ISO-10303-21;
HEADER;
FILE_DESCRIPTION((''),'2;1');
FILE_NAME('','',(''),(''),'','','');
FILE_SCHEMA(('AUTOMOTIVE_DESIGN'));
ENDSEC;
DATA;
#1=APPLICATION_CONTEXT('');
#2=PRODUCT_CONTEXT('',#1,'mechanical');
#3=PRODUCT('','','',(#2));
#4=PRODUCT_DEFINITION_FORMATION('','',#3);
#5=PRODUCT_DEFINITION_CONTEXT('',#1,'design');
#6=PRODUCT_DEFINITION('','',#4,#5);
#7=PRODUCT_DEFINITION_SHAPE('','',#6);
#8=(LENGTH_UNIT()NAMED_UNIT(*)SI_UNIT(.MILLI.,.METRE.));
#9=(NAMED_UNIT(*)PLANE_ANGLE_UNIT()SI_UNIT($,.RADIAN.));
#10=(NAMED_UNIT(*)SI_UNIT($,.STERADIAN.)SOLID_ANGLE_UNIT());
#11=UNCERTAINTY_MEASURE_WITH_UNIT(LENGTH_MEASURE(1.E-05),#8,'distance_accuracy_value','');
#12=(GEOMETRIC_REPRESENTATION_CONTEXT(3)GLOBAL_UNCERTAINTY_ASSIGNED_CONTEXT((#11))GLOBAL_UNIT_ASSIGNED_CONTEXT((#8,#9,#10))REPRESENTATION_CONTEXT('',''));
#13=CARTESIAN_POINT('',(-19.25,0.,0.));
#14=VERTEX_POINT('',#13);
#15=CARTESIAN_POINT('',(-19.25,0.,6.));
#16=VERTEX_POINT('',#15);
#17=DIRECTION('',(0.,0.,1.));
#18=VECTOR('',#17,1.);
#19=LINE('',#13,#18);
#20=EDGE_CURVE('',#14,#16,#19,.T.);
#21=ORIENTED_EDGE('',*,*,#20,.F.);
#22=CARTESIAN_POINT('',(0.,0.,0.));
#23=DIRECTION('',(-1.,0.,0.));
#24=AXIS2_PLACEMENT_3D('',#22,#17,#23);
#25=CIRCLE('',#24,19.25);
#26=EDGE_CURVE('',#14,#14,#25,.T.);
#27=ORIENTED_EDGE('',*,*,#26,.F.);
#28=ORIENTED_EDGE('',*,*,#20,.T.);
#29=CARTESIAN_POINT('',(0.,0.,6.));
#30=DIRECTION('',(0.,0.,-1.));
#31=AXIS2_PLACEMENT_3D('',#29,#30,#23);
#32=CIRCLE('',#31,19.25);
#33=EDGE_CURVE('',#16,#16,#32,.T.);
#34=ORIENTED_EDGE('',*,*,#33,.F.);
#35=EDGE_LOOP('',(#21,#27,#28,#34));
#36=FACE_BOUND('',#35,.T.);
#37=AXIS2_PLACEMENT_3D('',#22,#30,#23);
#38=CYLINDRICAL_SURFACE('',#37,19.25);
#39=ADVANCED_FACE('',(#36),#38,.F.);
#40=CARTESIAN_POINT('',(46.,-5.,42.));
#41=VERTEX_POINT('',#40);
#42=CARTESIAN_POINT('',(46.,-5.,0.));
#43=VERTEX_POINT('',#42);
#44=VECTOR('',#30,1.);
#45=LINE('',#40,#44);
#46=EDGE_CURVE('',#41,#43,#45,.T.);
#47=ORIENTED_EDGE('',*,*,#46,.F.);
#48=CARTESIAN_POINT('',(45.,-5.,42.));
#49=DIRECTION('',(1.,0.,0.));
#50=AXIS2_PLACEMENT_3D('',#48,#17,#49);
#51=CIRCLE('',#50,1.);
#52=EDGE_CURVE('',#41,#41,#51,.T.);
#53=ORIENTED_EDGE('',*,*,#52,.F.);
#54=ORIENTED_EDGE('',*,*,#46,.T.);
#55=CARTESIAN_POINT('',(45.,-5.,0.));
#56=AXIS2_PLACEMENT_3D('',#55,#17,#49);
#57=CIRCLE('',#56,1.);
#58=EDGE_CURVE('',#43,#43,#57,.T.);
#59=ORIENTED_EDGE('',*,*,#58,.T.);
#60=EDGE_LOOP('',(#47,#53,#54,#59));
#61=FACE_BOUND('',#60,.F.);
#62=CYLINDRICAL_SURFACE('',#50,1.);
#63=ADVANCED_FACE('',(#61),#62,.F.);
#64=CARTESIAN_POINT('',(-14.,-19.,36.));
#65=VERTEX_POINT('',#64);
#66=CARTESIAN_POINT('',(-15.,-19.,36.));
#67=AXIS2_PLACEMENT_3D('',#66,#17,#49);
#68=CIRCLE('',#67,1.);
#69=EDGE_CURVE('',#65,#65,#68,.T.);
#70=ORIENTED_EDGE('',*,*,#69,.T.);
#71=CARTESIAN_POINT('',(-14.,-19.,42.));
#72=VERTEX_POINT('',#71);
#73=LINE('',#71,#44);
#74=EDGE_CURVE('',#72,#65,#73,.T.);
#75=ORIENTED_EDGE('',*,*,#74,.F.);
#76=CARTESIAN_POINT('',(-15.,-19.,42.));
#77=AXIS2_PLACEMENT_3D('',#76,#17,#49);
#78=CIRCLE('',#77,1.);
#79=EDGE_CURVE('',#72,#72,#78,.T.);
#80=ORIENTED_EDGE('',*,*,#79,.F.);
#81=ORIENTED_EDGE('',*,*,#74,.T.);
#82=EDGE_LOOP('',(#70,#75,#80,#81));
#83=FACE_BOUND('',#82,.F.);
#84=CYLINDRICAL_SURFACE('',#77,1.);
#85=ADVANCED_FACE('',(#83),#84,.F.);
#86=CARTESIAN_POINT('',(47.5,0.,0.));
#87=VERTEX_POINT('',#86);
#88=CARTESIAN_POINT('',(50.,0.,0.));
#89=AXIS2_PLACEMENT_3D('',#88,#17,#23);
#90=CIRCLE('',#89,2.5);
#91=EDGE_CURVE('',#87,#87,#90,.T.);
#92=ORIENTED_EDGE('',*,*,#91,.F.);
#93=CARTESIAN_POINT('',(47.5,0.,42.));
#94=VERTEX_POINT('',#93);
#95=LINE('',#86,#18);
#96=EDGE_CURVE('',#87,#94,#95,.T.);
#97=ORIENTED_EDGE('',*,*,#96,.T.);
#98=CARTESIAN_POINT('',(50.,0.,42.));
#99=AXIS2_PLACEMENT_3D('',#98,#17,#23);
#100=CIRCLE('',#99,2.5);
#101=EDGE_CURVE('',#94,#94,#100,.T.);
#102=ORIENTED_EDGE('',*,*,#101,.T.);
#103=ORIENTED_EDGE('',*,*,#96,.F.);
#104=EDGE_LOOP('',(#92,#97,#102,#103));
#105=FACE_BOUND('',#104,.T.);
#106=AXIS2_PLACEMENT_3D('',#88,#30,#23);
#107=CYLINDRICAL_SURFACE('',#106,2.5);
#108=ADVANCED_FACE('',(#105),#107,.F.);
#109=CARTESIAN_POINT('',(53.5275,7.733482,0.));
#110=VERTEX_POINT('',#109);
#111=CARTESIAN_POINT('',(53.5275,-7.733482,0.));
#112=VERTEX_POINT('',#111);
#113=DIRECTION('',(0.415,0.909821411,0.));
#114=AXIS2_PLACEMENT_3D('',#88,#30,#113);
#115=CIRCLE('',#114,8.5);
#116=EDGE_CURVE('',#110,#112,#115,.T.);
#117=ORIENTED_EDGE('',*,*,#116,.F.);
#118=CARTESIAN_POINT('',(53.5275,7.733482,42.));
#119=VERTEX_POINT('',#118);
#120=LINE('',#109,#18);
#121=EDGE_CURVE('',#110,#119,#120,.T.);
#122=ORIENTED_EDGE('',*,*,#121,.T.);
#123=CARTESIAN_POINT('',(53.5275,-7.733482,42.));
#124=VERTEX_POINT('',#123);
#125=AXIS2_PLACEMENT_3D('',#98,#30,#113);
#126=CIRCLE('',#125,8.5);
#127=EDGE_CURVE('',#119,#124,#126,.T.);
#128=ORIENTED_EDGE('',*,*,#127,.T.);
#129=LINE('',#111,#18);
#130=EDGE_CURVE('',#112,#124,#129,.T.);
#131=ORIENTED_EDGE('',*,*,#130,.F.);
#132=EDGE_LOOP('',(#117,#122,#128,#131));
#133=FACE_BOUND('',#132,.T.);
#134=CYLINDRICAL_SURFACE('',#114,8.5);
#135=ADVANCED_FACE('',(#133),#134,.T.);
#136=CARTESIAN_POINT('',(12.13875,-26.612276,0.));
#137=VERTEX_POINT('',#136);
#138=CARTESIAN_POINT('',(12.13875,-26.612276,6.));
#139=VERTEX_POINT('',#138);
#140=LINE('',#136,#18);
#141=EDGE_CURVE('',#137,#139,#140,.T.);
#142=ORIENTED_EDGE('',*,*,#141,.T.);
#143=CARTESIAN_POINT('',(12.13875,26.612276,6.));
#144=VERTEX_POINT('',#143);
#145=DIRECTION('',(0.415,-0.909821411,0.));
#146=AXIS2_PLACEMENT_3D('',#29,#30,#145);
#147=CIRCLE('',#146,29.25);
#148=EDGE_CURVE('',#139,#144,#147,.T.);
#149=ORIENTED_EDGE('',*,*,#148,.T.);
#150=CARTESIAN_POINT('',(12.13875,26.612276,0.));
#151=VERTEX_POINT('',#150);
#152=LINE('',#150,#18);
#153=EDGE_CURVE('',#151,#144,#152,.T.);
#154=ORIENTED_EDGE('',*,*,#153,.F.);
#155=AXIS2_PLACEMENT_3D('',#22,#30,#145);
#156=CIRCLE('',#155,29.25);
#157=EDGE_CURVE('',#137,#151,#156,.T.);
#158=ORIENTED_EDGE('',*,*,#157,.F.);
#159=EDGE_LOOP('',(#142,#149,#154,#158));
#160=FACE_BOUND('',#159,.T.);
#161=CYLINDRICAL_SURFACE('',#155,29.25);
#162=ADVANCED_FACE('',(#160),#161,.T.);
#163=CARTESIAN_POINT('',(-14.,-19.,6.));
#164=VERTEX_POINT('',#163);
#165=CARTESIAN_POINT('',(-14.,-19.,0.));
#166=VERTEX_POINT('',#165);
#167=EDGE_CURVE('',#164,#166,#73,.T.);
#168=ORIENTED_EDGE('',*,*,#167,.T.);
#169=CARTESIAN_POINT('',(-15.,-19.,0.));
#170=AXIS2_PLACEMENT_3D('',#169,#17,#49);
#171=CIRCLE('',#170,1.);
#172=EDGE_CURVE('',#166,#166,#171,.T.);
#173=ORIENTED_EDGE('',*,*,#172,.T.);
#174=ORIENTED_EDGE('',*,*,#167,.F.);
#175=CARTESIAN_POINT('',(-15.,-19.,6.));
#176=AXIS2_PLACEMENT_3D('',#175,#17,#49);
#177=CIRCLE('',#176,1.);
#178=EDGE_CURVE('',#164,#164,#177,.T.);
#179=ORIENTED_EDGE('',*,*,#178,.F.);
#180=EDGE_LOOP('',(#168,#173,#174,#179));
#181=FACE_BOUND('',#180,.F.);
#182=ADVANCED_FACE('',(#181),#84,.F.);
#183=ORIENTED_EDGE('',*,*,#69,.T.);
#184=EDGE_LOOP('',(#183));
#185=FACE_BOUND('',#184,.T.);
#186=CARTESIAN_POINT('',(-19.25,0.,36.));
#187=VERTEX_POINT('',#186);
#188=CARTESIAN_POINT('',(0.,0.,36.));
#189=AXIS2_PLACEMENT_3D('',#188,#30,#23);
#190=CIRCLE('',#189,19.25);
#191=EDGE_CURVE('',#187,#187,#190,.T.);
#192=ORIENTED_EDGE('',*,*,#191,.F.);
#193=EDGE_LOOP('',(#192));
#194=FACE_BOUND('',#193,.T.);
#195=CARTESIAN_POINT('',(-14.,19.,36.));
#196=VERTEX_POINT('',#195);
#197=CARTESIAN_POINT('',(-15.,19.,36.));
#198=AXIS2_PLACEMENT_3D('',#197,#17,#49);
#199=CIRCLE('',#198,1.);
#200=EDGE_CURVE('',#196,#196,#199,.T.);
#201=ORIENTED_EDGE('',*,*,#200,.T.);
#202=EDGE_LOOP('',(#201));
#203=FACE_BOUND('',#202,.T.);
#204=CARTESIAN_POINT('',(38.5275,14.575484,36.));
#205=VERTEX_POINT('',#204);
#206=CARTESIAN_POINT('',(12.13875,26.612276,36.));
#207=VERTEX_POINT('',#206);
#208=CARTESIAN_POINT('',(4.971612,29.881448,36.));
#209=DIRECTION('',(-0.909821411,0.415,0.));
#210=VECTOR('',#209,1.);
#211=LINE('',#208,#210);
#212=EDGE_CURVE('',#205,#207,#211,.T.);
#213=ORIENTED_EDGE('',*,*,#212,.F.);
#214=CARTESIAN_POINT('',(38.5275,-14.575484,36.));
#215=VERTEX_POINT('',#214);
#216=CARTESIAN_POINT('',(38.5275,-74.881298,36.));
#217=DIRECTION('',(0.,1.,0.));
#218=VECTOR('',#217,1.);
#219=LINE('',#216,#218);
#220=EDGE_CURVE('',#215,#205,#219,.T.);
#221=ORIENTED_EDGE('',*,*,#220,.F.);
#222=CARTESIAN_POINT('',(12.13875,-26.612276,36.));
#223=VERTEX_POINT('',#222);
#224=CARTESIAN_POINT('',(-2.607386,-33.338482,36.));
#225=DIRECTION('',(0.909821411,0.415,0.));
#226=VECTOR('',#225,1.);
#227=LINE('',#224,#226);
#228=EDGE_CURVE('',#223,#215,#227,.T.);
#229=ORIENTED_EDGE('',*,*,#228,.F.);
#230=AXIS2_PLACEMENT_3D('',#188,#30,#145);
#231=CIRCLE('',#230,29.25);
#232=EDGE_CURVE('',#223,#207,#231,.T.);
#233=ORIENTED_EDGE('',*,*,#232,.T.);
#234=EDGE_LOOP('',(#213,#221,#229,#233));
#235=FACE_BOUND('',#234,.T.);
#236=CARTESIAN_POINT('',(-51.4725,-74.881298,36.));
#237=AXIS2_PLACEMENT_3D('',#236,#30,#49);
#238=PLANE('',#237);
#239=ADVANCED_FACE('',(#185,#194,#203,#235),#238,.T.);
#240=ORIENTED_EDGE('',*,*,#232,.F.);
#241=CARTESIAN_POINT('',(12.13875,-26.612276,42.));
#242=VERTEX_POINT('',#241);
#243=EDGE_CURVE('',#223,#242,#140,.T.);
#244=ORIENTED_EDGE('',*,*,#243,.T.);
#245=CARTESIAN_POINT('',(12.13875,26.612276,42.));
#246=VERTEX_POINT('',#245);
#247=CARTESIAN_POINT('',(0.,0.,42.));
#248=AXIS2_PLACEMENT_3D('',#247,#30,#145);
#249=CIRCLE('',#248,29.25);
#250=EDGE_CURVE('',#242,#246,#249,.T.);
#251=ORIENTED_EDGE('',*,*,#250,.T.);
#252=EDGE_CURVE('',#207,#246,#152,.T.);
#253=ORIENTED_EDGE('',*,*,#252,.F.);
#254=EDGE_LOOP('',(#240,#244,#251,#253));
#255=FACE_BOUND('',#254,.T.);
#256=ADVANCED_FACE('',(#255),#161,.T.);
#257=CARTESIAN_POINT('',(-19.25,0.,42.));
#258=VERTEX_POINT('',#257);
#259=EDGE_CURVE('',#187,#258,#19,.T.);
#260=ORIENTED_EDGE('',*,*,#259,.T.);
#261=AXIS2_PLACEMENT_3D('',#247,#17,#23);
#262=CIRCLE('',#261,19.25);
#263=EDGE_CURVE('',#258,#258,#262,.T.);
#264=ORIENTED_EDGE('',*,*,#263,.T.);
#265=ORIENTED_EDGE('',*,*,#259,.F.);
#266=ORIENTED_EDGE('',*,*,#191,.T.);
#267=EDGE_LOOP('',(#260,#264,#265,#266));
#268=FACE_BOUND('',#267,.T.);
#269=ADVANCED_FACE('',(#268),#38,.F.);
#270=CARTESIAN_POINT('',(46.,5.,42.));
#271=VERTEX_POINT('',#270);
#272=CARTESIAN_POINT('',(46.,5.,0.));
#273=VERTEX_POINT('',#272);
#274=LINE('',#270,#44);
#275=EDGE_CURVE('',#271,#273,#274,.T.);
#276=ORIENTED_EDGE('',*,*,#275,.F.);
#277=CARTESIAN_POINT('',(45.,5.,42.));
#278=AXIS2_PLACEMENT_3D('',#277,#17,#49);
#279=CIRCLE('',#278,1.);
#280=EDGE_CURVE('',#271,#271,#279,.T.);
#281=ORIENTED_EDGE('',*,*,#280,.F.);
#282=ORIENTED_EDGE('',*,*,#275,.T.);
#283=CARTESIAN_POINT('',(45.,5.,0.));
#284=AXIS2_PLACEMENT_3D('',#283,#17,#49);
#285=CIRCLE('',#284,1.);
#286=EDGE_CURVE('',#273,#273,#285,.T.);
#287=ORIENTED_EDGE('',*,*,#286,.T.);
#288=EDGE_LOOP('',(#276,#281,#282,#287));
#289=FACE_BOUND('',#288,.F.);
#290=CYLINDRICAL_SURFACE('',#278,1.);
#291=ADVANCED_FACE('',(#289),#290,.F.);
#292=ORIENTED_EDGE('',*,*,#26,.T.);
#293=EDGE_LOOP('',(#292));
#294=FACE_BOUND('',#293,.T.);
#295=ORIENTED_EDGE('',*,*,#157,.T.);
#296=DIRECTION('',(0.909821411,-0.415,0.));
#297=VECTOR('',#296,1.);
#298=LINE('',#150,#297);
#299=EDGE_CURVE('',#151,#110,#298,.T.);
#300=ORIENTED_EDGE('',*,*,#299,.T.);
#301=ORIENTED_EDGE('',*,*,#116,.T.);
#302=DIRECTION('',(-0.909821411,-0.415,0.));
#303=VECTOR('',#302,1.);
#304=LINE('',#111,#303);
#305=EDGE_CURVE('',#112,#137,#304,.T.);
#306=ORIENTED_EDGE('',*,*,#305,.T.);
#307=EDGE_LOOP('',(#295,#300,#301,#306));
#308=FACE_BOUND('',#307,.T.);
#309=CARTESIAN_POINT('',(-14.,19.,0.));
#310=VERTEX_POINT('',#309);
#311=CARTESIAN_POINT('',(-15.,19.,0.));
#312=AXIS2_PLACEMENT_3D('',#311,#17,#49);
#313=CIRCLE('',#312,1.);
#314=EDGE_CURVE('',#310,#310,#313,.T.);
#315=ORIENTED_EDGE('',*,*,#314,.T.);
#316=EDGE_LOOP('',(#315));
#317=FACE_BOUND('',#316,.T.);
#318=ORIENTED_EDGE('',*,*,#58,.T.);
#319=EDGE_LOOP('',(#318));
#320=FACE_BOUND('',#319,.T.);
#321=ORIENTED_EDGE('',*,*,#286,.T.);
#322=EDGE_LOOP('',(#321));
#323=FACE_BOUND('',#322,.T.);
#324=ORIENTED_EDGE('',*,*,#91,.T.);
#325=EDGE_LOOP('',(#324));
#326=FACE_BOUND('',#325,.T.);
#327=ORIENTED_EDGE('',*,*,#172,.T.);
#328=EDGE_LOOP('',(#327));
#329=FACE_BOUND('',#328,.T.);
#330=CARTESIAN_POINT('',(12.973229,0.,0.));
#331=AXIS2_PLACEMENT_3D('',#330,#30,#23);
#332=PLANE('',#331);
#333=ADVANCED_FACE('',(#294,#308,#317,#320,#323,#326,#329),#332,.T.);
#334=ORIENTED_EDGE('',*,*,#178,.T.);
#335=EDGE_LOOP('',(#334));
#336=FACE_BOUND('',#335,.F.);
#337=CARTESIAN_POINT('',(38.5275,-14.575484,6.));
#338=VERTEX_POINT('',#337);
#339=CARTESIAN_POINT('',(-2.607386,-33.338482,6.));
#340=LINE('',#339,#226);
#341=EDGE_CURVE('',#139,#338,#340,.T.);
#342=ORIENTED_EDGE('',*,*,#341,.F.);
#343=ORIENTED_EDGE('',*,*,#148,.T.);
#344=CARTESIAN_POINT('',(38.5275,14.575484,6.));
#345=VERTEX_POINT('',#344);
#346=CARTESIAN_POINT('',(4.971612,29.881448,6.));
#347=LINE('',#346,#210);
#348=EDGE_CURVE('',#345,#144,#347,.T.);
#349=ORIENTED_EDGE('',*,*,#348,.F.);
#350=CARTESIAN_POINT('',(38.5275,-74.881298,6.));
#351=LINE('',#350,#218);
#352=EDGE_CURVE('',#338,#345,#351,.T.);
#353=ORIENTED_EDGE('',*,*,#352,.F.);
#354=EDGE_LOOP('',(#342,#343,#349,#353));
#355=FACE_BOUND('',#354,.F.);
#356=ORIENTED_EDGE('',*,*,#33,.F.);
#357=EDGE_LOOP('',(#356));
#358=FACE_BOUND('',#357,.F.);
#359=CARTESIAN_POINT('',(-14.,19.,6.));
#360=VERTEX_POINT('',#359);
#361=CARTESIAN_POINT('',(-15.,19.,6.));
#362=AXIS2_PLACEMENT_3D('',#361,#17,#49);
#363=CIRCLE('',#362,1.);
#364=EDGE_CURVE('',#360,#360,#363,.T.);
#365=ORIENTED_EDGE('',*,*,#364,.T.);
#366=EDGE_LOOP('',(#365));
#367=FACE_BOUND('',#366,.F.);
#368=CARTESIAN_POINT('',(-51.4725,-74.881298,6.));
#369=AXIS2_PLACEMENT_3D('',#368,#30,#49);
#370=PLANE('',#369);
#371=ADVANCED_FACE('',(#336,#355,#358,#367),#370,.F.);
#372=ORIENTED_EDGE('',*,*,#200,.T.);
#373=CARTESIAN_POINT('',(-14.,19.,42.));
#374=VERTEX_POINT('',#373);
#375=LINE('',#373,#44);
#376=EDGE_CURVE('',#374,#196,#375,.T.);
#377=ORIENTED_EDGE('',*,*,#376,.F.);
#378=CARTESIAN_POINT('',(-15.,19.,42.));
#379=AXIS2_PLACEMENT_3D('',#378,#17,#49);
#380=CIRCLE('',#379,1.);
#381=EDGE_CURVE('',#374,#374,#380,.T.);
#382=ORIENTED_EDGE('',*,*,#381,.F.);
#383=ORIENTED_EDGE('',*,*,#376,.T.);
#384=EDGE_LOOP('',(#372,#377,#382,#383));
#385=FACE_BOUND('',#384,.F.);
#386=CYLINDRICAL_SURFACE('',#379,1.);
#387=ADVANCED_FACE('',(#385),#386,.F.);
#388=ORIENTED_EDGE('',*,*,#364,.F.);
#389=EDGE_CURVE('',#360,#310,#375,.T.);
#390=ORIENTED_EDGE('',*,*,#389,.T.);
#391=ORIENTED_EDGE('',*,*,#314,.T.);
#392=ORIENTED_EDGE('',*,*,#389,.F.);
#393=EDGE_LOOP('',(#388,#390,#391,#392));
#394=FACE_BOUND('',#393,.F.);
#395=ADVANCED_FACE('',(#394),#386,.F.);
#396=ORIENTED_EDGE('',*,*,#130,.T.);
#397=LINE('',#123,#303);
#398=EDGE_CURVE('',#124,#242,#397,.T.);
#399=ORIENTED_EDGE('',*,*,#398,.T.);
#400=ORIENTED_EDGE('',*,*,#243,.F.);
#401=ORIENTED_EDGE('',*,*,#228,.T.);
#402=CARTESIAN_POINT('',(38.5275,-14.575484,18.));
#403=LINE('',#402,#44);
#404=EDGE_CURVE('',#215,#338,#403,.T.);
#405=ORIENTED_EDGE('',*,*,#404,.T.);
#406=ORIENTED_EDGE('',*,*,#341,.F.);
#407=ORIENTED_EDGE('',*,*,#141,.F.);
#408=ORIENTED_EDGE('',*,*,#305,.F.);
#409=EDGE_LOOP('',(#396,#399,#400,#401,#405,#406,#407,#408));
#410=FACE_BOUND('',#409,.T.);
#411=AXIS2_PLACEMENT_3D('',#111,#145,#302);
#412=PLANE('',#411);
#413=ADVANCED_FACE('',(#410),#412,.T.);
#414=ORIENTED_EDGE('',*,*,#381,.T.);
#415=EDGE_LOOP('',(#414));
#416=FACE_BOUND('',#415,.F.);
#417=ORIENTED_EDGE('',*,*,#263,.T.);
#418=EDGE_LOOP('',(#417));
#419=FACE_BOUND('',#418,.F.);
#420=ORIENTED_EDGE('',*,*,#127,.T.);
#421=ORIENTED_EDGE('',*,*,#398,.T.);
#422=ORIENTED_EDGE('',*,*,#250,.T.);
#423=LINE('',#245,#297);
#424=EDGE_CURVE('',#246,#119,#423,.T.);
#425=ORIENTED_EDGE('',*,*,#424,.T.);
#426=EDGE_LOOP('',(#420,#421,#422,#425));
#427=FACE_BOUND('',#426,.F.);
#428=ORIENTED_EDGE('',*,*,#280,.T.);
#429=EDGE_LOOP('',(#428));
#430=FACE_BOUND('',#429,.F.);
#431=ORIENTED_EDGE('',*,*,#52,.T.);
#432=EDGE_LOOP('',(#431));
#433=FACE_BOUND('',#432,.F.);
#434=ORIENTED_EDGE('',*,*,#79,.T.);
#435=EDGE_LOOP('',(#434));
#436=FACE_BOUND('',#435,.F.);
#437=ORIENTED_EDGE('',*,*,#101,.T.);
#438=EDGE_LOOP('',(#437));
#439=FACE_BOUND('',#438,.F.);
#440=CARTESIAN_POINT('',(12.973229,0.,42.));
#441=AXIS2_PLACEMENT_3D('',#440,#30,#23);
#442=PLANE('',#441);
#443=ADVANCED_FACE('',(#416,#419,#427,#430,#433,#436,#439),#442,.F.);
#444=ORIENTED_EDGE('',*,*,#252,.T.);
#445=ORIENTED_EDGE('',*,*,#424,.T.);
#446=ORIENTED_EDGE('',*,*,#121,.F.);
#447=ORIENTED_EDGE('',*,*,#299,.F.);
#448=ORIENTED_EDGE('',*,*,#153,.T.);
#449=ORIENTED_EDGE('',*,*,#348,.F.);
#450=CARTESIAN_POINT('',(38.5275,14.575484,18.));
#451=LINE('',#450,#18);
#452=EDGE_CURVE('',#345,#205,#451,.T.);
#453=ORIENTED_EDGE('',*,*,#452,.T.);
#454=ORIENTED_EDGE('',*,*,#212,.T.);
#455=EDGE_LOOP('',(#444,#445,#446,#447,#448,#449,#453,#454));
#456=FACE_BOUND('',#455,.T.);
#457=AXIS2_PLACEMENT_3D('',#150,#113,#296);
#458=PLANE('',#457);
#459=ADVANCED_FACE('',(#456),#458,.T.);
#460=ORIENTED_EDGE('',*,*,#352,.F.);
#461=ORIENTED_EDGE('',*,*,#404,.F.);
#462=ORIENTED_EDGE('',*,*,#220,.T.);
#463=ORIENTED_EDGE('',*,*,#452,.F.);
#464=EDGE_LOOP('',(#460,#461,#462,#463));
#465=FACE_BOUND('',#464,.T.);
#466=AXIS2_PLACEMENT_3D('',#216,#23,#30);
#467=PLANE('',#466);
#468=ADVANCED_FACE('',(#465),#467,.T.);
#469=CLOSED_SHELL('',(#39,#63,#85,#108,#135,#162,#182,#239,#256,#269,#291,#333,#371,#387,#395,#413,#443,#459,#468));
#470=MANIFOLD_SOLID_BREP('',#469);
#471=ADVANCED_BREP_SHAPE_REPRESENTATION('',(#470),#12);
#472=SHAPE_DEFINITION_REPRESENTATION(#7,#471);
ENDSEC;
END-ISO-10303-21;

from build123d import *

# Parameters (mm, degrees)
ESQUISSE1_R                  = 19.25
ESQUISSE1_R_2                = 2.5
BOSS_EXTRU_1_DEPTH           = 42
ENL_V_MAT_EXTRU_1_DEPTH      = 74.881298321
ENL_V_MAT_EXTRU_1_DEPTH_BACK = 74.881298321
ESQUISSE2_W                  = 90
ESQUISSE2_H                  = 30
ESQUISSE3_R                  = 1
ENL_V_MAT_EXTRU_2_DEPTH      = 42


with BuildPart() as part:
    # Esquisse1 → Boss.-Extru.1 (new body)
    with BuildSketch(Plane.XY):
        with BuildLine():
            Line((12.13875, 26.612276273), (53.5275, 7.733481994))
            ThreePointArc((53.5275, 7.733481994), (58.5, 0), (53.5275, -7.733481994))
            Line((53.5275, -7.733481994), (12.13875, -26.612276273))
            ThreePointArc((12.13875, -26.612276273), (-29.25, 0), (12.13875, 26.612276273))
        make_face()
        with Locations(Location((0, 0, 0), (0, 0, 180))):
            Circle(ESQUISSE1_R, mode=Mode.SUBTRACT)
        with Locations(Location((50, 0, 0), (0, 0, 180))):
            Circle(ESQUISSE1_R_2, mode=Mode.SUBTRACT)
    extrude(amount=BOSS_EXTRU_1_DEPTH)

    # Esquisse2 → Enlèv. mat.-Extru.1 (cut, two sides: drawn at the far end of the back side and taken through both)
    with BuildSketch(Plane(origin=(5.218823759, 0, 0), x_dir=(1, 0, 0), z_dir=(0, 1, 0)).offset(-ENL_V_MAT_EXTRU_1_DEPTH_BACK)):
        with Locations((-11.691323759, -21)):
            Rectangle(ESQUISSE2_W, ESQUISSE2_H)
    extrude(amount=ENL_V_MAT_EXTRU_1_DEPTH + ENL_V_MAT_EXTRU_1_DEPTH_BACK, mode=Mode.SUBTRACT)

    # Esquisse3 → Enlèv. mat.-Extru.2 (cut)
    with BuildSketch(Plane.XY.offset(42)):
        with Locations((45, 5)):
            Circle(ESQUISSE3_R)
        with Locations((45, -5)):
            Circle(ESQUISSE3_R)
        with Locations((-15, 19)):
            Circle(ESQUISSE3_R)
        with Locations((-15, -19)):
            Circle(ESQUISSE3_R)
    extrude(amount=-ENL_V_MAT_EXTRU_2_DEPTH, mode=Mode.SUBTRACT)


solid = part.part
